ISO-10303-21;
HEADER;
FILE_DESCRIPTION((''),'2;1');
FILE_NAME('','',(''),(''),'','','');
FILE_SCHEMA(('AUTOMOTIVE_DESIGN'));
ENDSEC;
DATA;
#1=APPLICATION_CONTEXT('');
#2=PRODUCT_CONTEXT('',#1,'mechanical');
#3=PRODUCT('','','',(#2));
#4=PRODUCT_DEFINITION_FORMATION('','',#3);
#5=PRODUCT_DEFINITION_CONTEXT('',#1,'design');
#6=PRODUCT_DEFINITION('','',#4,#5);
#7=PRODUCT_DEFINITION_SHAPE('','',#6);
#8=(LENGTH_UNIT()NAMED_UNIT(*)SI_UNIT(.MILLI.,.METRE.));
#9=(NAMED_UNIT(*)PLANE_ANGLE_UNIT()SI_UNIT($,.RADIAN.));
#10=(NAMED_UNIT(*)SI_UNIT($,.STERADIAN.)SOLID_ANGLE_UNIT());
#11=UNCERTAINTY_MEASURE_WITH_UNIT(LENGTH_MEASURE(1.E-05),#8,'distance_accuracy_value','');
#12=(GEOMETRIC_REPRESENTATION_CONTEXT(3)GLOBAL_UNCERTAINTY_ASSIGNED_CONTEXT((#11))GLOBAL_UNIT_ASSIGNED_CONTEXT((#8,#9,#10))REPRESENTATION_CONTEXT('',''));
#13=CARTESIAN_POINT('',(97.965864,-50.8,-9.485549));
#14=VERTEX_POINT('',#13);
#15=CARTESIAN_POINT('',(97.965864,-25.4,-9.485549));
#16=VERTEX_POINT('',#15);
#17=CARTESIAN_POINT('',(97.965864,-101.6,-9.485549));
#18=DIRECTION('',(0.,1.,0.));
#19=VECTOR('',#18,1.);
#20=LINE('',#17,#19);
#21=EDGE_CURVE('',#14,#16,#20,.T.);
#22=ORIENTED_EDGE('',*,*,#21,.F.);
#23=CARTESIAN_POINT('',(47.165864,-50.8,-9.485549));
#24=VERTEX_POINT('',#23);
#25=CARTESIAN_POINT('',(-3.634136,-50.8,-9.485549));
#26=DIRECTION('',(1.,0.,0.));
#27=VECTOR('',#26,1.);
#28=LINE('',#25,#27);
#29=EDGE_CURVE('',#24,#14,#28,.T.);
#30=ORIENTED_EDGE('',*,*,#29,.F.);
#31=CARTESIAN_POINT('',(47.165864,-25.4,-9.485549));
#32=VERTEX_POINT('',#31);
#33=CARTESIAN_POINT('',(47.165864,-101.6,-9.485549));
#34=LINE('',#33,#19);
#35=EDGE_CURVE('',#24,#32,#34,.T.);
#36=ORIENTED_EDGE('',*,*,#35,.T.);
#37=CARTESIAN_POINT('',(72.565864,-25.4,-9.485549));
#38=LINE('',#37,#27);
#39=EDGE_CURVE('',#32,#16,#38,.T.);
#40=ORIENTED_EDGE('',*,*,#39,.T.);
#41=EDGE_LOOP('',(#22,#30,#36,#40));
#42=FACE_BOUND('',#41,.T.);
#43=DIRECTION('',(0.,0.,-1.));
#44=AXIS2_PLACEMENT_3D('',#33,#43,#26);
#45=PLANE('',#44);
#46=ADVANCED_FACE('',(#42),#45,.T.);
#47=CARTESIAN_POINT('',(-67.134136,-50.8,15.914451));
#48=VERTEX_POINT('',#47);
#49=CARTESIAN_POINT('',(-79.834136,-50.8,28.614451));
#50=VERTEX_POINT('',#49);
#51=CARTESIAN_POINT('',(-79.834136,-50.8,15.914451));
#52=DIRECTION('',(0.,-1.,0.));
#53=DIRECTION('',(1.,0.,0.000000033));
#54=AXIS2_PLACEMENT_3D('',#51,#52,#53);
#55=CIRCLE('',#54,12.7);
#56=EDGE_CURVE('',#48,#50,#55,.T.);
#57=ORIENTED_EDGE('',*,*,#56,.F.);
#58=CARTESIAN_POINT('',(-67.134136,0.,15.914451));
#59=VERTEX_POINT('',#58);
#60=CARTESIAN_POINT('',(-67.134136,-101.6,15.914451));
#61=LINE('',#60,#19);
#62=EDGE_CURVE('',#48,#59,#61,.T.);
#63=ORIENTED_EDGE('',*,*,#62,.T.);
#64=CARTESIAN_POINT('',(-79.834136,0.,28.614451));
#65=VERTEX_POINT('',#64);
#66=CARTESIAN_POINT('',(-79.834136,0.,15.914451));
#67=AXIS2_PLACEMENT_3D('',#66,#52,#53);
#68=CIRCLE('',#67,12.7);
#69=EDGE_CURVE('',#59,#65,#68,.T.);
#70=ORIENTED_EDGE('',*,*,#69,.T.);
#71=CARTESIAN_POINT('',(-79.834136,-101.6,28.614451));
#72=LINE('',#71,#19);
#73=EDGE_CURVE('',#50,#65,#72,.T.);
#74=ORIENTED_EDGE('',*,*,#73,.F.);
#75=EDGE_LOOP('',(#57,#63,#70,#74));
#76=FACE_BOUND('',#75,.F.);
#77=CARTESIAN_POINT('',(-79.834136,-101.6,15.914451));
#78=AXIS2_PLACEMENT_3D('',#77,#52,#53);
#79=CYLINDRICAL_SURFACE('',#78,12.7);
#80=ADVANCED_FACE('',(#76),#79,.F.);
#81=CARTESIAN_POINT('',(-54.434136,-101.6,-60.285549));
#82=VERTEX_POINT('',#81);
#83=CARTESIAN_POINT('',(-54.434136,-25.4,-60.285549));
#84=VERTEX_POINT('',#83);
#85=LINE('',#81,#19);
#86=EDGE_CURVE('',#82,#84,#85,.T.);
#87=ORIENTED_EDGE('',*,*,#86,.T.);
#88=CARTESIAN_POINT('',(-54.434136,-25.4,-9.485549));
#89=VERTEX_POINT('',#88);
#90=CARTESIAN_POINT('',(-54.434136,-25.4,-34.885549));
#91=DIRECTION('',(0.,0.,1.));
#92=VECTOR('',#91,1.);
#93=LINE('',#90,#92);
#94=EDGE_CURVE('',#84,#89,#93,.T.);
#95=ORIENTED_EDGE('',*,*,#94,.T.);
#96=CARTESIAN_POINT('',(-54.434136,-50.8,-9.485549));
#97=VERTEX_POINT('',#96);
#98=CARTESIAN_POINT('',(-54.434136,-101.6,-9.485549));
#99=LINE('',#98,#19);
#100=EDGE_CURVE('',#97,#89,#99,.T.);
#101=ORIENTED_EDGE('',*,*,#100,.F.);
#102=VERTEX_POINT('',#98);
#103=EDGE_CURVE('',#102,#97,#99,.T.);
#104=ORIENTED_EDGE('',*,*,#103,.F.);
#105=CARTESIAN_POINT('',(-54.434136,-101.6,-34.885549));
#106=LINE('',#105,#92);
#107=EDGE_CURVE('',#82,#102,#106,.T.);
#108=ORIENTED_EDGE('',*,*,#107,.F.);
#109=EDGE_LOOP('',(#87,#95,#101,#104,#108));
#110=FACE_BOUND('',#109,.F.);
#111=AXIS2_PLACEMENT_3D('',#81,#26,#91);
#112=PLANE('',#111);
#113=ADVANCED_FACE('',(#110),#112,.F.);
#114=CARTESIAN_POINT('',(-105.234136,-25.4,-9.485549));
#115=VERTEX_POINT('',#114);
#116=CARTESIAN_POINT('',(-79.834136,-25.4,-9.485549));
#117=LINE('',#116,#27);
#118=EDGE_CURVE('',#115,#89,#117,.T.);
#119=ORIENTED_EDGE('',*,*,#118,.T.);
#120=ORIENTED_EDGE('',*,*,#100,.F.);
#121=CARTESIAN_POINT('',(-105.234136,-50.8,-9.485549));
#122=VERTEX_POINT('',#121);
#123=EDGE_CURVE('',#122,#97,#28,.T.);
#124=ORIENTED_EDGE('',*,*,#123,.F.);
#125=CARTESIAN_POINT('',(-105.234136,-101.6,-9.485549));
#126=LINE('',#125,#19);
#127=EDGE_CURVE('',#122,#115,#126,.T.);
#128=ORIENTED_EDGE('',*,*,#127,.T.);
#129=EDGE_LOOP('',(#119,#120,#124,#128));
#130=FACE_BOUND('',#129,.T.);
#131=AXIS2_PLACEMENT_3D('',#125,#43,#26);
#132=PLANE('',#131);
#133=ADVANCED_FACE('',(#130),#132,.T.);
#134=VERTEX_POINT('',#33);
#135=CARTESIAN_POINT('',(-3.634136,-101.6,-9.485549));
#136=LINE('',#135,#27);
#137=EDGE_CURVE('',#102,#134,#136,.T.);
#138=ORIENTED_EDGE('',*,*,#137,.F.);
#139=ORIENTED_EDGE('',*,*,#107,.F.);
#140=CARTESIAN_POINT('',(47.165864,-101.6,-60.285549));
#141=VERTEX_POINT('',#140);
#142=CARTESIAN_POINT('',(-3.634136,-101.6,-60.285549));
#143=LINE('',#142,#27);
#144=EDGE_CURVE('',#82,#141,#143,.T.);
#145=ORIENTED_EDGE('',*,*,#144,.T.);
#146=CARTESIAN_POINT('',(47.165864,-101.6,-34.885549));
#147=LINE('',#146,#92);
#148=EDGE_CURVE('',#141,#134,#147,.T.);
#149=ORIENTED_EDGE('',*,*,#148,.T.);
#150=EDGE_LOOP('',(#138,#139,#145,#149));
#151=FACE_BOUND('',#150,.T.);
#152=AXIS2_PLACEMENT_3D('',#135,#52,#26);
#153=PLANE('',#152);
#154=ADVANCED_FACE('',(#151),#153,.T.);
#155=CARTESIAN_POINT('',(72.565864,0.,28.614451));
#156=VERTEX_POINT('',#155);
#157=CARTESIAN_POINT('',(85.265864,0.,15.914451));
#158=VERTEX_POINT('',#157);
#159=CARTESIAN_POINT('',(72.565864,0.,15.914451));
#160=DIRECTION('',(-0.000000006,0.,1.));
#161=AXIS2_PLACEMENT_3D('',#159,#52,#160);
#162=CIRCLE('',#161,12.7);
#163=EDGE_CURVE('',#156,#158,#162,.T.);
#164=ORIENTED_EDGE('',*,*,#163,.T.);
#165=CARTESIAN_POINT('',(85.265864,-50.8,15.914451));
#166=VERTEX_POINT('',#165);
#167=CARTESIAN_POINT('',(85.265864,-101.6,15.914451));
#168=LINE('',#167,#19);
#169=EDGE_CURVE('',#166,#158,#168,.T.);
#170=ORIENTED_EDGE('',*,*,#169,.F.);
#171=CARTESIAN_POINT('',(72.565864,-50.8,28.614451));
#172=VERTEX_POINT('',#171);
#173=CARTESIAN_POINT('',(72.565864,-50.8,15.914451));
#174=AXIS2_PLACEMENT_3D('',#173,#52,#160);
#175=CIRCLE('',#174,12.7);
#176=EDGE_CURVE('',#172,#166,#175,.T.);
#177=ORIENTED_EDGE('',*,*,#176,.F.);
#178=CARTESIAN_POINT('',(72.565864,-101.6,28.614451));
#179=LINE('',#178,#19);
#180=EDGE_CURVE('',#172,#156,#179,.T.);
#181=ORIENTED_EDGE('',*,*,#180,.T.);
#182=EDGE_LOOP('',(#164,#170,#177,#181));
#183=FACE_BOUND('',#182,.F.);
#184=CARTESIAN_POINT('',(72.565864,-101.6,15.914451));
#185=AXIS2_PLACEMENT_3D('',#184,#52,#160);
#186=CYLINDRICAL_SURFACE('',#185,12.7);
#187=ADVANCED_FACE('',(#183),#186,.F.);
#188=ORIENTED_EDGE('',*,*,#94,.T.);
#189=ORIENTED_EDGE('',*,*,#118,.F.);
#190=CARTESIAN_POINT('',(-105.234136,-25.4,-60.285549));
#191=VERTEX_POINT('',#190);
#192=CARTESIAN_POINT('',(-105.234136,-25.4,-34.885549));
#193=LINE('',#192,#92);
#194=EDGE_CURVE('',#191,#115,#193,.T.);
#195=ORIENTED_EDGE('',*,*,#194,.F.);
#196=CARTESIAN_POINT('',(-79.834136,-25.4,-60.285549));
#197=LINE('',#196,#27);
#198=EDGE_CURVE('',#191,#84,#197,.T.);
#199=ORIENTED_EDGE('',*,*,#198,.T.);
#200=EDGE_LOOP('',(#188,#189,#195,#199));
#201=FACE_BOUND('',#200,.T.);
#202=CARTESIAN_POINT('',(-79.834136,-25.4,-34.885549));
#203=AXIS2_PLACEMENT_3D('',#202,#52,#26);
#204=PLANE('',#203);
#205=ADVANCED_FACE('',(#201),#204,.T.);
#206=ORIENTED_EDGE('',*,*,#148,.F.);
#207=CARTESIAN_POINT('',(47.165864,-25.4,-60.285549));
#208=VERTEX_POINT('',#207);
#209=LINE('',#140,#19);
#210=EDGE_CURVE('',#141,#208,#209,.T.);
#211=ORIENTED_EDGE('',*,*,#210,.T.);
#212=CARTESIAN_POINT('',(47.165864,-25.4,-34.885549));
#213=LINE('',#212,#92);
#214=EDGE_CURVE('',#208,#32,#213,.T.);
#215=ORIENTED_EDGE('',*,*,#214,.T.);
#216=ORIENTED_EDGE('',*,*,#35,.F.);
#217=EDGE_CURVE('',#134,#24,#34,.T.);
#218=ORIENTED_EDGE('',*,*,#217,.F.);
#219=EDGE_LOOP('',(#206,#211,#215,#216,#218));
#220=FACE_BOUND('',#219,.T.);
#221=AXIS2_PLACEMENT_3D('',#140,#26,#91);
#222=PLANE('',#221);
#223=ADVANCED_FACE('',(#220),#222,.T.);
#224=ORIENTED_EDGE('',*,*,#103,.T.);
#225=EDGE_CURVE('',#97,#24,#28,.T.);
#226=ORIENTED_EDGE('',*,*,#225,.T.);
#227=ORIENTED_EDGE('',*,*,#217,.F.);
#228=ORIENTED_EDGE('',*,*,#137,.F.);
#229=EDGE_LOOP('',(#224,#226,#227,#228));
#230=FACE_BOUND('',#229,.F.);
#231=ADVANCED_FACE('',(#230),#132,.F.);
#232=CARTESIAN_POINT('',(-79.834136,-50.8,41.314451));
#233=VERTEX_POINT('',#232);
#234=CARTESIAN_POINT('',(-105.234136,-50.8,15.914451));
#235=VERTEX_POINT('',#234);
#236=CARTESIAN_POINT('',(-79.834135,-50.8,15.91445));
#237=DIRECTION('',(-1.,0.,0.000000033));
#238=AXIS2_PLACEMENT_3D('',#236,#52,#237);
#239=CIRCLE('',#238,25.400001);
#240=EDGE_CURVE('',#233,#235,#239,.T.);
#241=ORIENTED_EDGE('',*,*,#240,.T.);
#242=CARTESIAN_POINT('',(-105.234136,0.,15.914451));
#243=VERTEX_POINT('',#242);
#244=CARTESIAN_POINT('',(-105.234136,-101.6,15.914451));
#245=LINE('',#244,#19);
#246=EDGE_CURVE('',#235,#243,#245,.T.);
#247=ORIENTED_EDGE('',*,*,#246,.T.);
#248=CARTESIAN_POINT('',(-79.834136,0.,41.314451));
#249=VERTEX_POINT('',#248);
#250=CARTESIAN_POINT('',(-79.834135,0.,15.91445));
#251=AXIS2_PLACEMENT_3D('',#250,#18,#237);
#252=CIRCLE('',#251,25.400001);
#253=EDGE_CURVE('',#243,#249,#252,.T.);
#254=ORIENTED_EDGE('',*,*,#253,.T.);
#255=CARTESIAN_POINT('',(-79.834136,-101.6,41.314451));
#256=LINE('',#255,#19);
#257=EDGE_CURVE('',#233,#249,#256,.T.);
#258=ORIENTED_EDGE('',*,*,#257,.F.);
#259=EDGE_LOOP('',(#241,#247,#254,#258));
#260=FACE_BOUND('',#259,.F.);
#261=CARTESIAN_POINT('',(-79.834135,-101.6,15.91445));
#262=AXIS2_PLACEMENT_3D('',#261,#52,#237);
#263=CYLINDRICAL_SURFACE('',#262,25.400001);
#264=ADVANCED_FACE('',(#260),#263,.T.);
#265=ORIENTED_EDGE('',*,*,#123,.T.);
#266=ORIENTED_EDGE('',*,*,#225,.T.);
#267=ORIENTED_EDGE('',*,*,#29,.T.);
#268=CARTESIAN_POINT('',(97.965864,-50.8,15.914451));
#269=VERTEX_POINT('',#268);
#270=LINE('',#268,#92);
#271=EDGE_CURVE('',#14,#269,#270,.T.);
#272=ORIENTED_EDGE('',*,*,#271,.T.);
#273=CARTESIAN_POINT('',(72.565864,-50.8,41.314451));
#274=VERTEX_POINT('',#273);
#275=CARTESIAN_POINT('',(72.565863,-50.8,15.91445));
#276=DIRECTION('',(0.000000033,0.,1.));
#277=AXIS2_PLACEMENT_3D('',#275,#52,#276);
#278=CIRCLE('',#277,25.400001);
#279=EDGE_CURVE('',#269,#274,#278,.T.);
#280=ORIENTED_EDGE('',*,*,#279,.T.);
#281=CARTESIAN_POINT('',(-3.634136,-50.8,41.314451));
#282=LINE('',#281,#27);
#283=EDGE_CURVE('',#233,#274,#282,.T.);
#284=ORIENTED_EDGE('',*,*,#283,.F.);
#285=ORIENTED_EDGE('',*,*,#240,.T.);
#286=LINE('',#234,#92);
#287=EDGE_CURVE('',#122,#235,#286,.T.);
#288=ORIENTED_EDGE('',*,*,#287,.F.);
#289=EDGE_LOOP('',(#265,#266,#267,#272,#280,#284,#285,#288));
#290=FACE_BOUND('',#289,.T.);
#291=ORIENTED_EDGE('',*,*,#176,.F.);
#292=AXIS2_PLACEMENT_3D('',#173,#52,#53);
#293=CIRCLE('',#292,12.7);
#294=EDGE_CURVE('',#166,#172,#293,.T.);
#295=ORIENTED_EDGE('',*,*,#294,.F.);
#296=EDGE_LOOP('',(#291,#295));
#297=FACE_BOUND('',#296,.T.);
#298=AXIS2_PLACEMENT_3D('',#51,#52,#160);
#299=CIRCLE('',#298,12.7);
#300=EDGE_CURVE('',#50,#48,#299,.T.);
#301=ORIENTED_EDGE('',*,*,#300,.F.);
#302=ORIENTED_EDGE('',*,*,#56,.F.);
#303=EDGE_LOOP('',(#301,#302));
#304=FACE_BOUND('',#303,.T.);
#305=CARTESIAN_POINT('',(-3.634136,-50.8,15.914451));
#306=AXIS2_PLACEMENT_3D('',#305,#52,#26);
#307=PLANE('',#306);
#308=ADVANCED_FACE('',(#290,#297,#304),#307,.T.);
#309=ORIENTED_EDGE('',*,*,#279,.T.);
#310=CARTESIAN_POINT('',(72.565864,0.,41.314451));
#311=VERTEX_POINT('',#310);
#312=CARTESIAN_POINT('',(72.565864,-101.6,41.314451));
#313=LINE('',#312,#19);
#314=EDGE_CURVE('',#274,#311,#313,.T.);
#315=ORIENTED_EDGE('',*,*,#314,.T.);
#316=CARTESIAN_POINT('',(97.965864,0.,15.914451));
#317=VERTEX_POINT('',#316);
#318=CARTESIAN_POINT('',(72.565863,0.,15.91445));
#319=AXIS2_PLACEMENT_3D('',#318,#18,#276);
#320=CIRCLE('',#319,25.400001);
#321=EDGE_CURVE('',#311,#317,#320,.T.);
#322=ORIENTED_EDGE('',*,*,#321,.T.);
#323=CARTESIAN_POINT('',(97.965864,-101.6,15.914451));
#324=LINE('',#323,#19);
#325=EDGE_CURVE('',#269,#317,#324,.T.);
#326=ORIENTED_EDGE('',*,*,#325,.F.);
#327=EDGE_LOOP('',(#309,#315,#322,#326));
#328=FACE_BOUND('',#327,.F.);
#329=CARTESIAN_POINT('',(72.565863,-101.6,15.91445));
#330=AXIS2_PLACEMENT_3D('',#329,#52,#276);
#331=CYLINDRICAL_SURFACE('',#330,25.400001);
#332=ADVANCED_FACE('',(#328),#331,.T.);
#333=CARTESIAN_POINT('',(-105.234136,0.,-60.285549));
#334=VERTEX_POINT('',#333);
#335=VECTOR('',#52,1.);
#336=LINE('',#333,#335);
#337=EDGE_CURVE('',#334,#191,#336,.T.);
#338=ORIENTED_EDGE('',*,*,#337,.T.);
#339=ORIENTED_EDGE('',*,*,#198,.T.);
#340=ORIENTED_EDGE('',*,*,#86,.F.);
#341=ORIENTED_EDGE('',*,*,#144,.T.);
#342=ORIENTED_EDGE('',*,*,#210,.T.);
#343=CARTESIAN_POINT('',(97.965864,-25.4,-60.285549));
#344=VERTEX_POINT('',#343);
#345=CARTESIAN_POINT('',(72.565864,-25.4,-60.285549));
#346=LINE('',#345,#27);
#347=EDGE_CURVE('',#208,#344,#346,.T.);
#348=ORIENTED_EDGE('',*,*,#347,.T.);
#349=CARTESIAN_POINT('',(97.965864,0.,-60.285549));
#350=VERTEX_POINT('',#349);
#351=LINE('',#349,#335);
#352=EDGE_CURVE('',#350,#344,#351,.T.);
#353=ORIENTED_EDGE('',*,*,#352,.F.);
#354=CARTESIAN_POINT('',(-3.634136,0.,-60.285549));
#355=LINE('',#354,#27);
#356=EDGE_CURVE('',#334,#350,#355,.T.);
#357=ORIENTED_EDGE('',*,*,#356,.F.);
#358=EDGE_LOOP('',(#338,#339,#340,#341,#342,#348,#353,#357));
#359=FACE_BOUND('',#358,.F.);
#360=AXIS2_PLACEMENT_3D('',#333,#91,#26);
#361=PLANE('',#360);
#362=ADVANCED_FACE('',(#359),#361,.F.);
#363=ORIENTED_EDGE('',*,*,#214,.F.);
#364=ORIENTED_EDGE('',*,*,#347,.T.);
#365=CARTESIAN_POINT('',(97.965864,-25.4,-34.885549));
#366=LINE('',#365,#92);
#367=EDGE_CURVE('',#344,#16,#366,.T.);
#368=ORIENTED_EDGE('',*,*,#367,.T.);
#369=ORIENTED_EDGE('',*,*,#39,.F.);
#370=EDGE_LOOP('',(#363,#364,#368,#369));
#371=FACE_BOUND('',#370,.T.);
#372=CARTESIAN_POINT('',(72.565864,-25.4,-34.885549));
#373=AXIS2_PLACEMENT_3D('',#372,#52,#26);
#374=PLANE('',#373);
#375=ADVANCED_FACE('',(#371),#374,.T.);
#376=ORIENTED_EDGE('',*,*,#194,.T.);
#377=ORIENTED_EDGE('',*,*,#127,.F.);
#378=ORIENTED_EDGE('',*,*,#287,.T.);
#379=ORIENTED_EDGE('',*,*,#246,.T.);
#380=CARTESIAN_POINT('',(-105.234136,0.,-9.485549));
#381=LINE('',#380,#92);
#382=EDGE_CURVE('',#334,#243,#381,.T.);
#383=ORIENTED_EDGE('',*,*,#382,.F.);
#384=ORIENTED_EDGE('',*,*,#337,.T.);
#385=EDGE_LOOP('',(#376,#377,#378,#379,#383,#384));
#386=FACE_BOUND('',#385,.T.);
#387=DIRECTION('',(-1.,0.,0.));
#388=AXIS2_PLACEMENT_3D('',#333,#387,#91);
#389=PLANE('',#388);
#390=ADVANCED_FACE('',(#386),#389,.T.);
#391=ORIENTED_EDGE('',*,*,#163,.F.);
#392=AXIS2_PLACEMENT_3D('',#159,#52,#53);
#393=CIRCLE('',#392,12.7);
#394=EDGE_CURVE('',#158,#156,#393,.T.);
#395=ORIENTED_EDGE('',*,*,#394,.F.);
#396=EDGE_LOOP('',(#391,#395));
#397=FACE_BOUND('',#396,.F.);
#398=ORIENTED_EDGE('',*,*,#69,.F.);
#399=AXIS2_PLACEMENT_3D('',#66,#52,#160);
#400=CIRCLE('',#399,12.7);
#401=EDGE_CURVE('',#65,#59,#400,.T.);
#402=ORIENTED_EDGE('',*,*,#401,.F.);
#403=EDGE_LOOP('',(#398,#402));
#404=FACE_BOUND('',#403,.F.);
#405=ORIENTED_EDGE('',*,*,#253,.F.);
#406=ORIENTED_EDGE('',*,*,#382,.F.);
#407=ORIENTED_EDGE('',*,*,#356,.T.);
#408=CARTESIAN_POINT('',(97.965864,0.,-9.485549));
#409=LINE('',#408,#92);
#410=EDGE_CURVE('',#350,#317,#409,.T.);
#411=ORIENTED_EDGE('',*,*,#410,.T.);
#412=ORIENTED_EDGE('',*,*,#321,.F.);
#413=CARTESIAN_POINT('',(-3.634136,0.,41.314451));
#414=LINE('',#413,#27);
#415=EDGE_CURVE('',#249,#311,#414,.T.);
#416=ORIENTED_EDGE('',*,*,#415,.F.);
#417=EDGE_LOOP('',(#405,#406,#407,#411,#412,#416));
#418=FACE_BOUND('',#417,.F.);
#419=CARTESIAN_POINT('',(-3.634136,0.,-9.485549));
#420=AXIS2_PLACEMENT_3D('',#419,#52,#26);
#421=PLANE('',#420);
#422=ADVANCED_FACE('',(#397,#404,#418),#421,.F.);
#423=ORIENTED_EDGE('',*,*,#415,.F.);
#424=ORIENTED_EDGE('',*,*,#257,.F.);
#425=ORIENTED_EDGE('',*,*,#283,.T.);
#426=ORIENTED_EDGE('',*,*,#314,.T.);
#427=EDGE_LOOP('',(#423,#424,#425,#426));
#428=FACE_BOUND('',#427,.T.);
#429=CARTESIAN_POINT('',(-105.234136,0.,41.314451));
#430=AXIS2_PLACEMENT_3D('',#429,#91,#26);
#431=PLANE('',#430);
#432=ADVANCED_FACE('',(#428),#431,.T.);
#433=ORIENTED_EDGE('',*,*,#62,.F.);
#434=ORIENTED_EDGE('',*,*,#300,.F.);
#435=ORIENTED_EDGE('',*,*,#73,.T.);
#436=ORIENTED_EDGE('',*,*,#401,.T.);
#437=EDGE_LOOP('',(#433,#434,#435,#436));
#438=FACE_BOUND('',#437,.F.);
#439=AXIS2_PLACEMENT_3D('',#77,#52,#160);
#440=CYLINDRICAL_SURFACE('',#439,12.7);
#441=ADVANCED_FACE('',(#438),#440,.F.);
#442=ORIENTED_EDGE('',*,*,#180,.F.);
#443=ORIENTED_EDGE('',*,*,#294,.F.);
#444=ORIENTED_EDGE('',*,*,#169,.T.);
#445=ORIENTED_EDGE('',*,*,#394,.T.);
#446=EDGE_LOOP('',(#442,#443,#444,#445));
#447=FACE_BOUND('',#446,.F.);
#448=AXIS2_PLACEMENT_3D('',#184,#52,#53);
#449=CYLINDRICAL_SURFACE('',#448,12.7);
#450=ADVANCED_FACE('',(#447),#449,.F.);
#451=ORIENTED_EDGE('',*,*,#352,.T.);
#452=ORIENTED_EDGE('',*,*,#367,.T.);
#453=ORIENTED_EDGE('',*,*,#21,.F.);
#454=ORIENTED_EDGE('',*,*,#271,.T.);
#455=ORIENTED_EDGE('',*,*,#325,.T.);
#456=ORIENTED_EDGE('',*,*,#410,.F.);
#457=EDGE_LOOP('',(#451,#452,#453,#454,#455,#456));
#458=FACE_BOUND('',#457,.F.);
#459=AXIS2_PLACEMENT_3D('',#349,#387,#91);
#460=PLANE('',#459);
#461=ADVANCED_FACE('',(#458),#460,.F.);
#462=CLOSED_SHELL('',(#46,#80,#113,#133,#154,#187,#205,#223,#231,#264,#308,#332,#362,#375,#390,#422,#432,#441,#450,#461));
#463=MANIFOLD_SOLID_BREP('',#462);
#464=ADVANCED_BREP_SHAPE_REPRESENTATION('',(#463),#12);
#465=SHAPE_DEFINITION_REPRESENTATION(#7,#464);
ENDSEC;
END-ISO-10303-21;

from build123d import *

# Parameters (mm, degrees)
F0_W      = 203.2
F0_H      = 101.6
F1_DEPTH  = 101.6
F2_W      = 50.8
F2_H      = 50.8
F3_DEPTH  = 76.2
F4_W      = 50.8
F4_H      = 50.8
F5_DEPTH  = 76.2
F7_DEPTH  = 101.6
F9_DEPTH  = 101.6
F11_DEPTH = 101.6
F13_DEPTH = 101.6
F14_W     = 203.2
F14_H     = 50.8
F15_DEPTH = 50.8


with BuildPart() as f1:
    # F0 (on Front) → F1 (new body)
    with BuildSketch(Plane.XZ):
        with Locations((-3.634136, -9.485549)):
            Rectangle(F0_W, F0_H)
    extrude(amount=F1_DEPTH)

    # F2 (on face) → F3 (cut)
    with BuildSketch(Plane.XZ.offset(101.6)):
        with Locations((72.565864, -34.885549)):
            Rectangle(F2_W, F2_H)
    extrude(amount=-F3_DEPTH, mode=Mode.SUBTRACT)

    # F4 (on face) → F5 (cut)
    with BuildSketch(Plane.XZ.offset(101.6)):
        with Locations((-79.834136, -34.885549)):
            Rectangle(F4_W, F4_H)
    extrude(amount=-F5_DEPTH, mode=Mode.SUBTRACT)

    # F6 (on face) → F7 (cut)
    with BuildSketch(Plane.XZ.offset(101.6)):
        with BuildLine():
            Line((97.965864, 15.914451), (97.965864, 41.314451))
            Line((97.965864, 41.314451), (72.565864, 41.314451))
            ThreePointArc((72.565864, 41.314451), (90.526376, 33.874963), (97.965864, 15.914451))
        make_face()
    extrude(amount=-F7_DEPTH, mode=Mode.SUBTRACT)

    # F8 (on face) → F9 (cut)
    with BuildSketch(Plane.XZ.offset(101.6)):
        with BuildLine():
            Line((-79.834136, 41.314451), (-105.234136, 41.314451))
            Line((-105.234136, 41.314451), (-105.234136, 15.914451))
            ThreePointArc((-105.234136, 15.914451), (-97.794648, 33.874963), (-79.834136, 41.314451))
        make_face()
    extrude(amount=-F9_DEPTH, mode=Mode.SUBTRACT)

    # F10 (on face) → F11 (cut)
    with BuildSketch(Plane.XZ.offset(101.6)):
        with BuildLine():
            ThreePointArc((85.265864, 15.914451), (81.54612, 24.894707), (72.565864, 28.614451))
            ThreePointArc((72.565864, 28.614451), (63.585608, 6.934195), (85.265864, 15.914451))
        make_face()
    extrude(amount=-F11_DEPTH, mode=Mode.SUBTRACT)

    # F12 (on face) → F13 (cut)
    with BuildSketch(Plane.XZ.offset(101.6)):
        with BuildLine():
            ThreePointArc((-67.134136, 15.914451), (-70.85388, 24.894707), (-79.834136, 28.614451))
            ThreePointArc((-79.834136, 28.614451), (-88.814392, 6.934195), (-67.134136, 15.914451))
        make_face()
    extrude(amount=-F13_DEPTH, mode=Mode.SUBTRACT)

    # F14 (on face) → F15 (cut)
    with BuildSketch(Plane.XZ.offset(101.6)):
        with Locations((-3.634136, 15.914451)):
            Rectangle(F14_W, F14_H)
    extrude(amount=-F15_DEPTH, mode=Mode.SUBTRACT)


solid = f1.part
